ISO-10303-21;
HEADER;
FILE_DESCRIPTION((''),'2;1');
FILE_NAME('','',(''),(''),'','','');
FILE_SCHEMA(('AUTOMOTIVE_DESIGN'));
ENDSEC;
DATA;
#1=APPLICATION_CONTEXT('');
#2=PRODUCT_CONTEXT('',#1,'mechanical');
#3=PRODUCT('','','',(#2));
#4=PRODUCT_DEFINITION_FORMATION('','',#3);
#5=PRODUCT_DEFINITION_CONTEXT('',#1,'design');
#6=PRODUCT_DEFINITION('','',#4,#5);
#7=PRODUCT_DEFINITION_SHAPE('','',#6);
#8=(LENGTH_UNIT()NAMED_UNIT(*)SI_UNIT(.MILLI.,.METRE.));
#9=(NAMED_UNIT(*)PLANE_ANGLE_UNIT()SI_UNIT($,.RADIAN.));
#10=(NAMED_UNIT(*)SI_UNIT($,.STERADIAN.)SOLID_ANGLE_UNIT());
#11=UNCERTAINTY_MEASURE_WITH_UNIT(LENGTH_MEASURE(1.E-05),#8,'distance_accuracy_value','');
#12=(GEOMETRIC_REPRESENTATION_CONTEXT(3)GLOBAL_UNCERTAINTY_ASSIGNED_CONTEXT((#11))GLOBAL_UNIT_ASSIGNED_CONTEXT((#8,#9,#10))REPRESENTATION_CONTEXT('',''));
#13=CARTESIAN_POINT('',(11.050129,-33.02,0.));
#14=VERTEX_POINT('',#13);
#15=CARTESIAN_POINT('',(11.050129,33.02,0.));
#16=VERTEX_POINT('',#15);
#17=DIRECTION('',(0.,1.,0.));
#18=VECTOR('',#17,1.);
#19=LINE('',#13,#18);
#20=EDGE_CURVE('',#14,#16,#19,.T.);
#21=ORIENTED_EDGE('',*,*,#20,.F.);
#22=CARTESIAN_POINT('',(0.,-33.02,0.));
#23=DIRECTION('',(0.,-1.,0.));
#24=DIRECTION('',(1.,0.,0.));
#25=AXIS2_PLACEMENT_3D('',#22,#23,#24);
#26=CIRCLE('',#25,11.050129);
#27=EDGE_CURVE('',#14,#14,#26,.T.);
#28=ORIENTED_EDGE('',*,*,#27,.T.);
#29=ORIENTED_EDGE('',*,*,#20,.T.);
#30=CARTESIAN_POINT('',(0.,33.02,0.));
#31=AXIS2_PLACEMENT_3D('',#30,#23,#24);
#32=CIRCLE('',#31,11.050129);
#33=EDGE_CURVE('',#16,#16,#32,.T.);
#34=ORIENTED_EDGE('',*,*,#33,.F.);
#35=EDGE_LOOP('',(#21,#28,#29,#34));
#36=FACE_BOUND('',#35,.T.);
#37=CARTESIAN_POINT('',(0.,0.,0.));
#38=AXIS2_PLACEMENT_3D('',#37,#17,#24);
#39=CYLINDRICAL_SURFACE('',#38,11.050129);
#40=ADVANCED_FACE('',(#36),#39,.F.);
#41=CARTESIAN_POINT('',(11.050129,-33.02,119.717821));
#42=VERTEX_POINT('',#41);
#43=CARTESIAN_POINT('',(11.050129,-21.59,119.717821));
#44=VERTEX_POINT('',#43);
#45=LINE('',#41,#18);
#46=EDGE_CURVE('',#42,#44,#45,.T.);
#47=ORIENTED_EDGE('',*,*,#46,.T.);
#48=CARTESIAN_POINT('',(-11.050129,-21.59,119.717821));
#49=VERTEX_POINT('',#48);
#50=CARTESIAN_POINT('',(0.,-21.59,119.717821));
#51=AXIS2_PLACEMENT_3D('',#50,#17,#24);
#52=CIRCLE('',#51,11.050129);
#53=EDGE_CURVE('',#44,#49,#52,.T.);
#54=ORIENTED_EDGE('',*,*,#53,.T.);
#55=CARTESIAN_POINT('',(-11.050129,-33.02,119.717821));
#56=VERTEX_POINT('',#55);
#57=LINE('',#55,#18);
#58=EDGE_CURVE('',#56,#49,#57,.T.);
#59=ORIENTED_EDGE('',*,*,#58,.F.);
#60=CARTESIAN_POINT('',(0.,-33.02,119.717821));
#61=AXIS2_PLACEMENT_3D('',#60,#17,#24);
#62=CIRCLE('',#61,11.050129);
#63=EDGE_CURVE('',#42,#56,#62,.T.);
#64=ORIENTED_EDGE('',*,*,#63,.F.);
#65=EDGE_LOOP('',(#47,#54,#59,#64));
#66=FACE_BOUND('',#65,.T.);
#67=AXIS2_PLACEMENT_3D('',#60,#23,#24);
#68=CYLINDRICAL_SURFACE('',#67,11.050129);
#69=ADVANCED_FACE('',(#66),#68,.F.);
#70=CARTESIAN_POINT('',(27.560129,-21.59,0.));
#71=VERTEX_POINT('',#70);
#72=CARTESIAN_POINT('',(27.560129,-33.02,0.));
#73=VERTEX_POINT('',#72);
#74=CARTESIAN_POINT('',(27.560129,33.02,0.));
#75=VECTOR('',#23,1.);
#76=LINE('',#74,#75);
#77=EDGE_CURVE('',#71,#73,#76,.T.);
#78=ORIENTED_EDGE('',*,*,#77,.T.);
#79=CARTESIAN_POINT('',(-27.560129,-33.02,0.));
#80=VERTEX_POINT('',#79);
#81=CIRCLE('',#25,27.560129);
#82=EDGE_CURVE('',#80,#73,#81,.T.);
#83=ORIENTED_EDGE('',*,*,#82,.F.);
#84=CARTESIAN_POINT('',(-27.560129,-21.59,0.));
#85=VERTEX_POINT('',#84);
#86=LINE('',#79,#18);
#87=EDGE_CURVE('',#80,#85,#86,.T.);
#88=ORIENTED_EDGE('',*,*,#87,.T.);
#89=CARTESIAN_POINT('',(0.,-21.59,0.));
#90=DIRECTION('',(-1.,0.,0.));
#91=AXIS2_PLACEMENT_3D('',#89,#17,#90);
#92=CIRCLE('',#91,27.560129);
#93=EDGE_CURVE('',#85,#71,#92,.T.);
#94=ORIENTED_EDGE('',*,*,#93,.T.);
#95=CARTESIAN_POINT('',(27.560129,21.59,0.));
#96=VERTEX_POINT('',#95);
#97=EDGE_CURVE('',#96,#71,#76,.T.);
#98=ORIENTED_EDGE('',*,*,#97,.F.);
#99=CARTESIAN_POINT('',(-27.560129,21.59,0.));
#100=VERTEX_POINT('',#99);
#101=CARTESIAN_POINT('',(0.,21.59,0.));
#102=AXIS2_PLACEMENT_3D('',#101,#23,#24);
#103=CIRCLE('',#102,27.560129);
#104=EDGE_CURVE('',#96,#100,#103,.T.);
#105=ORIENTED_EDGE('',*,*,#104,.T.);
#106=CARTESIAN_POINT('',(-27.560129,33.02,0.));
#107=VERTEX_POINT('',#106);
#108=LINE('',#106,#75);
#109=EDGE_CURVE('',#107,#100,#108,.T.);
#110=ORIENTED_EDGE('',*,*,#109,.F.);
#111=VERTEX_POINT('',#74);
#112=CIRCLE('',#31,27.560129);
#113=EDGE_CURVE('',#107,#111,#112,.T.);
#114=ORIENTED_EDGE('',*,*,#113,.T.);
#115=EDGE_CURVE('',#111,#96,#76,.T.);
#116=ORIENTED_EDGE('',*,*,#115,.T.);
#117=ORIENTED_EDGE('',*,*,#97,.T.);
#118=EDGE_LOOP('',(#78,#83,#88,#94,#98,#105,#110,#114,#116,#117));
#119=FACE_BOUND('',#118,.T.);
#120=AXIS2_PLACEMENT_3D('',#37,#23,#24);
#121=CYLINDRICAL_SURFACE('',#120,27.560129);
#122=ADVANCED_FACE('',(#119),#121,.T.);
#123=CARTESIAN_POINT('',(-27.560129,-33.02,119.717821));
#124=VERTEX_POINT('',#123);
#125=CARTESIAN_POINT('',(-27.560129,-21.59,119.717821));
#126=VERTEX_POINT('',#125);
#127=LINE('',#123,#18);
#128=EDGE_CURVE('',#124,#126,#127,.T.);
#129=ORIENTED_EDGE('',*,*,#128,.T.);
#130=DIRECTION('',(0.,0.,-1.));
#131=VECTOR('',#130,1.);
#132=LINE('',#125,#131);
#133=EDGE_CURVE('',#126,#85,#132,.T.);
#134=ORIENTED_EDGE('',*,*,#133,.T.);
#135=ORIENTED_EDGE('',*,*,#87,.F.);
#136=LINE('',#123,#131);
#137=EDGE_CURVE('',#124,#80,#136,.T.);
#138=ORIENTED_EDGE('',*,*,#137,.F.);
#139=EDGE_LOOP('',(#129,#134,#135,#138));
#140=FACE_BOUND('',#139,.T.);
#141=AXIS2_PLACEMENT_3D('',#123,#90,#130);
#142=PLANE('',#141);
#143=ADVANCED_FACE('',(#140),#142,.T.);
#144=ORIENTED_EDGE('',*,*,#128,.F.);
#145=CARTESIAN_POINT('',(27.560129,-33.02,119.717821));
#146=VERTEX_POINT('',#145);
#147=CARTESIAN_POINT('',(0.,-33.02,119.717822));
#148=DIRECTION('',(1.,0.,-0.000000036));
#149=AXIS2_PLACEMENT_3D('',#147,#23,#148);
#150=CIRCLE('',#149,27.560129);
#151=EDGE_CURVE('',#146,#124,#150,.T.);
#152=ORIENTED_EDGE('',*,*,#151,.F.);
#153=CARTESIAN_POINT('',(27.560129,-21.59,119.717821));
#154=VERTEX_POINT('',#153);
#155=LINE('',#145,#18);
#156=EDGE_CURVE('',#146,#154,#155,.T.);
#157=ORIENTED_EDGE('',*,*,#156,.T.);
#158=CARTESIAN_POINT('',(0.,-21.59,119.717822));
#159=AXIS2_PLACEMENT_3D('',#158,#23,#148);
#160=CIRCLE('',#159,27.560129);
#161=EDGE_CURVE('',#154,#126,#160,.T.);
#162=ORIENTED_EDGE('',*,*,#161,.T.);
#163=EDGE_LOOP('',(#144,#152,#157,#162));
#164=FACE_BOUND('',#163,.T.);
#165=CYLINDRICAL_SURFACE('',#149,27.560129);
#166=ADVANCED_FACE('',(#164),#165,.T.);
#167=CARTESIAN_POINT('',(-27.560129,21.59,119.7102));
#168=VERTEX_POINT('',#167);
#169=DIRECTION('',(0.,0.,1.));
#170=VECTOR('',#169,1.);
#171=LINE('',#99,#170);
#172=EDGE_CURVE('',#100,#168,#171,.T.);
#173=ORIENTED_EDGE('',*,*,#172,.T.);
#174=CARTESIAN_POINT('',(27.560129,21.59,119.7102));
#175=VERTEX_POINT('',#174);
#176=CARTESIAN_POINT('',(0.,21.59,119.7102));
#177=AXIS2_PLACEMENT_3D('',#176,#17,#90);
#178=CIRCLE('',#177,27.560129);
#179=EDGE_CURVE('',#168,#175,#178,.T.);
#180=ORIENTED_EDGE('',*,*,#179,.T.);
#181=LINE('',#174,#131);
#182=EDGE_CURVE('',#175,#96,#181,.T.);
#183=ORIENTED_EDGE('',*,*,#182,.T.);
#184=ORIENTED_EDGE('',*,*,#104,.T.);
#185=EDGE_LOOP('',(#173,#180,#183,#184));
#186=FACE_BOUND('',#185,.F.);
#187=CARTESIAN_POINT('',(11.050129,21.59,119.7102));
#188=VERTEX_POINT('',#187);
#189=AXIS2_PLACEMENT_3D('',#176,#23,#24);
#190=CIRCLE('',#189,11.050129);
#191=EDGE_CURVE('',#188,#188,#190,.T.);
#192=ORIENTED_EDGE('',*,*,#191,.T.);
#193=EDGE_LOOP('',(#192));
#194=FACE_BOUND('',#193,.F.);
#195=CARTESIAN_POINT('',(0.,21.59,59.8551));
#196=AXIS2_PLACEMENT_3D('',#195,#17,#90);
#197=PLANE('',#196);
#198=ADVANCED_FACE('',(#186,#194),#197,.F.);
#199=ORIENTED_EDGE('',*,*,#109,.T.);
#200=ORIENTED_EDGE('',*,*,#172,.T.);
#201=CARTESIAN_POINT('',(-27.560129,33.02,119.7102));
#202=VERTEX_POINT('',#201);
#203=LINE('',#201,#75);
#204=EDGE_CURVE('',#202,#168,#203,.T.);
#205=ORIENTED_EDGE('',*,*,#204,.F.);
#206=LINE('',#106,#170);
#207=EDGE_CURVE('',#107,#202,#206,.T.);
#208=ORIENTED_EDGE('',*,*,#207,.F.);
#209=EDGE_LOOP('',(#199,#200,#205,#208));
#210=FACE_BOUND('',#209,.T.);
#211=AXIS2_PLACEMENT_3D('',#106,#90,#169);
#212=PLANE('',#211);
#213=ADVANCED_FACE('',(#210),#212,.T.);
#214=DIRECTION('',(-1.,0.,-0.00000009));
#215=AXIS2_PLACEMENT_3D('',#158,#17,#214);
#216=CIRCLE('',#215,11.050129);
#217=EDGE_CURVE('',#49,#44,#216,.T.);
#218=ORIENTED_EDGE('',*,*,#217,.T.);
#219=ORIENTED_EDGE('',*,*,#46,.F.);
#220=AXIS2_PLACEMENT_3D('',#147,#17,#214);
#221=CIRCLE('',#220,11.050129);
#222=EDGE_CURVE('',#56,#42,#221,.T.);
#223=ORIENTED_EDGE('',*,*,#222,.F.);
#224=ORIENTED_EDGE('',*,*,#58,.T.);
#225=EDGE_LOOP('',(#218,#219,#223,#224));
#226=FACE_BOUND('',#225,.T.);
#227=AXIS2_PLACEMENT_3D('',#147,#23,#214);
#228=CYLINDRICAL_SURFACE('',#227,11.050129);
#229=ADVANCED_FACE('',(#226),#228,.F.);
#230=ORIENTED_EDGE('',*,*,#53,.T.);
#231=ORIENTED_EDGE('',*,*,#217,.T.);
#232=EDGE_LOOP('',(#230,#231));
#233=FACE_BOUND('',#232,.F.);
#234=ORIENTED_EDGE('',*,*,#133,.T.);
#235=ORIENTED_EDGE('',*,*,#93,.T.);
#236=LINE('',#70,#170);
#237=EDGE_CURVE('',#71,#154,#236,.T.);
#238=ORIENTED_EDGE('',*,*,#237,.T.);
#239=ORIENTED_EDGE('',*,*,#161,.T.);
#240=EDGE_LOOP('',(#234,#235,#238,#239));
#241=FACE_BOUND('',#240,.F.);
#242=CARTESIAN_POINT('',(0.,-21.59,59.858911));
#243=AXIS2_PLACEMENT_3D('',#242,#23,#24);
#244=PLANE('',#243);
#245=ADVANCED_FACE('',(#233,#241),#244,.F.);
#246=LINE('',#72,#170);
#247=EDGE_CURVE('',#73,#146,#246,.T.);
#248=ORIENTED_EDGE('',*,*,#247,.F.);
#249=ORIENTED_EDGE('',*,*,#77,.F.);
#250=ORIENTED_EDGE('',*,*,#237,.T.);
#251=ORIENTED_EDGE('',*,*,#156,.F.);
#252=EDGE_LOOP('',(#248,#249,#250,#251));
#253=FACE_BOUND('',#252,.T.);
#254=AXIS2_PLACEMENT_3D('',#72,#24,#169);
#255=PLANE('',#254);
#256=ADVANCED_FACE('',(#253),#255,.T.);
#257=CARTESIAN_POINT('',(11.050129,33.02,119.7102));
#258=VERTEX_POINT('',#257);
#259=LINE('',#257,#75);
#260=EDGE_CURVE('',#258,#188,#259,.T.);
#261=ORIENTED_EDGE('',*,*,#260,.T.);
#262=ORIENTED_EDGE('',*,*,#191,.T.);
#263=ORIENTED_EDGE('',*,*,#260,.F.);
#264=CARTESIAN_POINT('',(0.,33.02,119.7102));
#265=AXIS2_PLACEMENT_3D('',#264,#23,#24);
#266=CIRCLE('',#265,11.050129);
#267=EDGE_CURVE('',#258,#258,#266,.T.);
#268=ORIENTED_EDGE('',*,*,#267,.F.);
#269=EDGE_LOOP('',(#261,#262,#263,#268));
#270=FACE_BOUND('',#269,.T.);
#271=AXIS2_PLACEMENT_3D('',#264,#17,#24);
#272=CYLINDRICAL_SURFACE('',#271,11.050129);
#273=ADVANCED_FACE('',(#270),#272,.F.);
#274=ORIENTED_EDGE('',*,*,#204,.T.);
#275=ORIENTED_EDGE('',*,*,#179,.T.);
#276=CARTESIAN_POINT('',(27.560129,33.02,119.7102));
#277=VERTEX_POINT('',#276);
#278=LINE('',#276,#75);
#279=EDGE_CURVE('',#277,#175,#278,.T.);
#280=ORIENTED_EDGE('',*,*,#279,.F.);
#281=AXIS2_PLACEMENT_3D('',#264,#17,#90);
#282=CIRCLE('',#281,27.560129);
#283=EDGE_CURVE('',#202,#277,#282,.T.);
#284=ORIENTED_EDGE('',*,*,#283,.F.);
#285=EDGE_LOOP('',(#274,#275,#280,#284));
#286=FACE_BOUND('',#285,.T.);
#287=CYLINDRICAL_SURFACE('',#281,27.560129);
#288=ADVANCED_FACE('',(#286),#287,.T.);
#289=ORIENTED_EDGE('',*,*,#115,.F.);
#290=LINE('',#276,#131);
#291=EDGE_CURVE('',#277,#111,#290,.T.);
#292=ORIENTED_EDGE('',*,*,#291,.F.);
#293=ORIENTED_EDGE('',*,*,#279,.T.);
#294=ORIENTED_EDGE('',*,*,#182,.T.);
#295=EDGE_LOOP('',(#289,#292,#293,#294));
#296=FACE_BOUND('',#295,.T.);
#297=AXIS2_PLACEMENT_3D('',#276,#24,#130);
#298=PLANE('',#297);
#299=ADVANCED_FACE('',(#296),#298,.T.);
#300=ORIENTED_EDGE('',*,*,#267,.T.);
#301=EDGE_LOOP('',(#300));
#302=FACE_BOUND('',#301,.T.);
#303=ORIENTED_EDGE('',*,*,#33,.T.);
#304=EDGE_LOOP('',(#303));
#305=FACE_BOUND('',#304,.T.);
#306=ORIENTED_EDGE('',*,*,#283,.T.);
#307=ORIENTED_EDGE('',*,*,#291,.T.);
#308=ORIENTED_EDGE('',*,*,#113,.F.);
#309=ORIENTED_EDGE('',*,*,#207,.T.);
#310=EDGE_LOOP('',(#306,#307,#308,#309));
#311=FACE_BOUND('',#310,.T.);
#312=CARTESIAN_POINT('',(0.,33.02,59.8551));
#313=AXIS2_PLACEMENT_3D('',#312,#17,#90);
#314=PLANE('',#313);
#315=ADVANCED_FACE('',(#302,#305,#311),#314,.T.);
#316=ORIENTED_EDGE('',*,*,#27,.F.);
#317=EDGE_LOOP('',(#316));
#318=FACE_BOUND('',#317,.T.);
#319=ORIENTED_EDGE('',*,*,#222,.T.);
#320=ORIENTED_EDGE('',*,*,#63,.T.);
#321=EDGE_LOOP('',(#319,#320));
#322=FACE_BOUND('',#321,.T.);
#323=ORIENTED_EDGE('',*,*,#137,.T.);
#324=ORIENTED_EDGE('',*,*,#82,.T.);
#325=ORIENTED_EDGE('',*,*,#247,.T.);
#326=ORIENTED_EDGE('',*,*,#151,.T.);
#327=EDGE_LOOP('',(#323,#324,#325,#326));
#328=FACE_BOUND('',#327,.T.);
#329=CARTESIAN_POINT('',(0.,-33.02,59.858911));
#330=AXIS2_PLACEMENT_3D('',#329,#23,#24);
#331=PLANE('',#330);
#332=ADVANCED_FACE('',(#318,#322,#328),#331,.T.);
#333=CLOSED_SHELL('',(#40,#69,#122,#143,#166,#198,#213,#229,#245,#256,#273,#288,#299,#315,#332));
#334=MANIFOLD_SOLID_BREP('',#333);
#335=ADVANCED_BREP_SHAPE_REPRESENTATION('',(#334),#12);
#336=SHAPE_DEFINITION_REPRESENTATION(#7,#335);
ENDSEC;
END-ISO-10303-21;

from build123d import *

# Parameters (mm, degrees)
F0_R     = 27.560129
F0_R_2   = 11.050129
F1_DEPTH = 33.02
F3_DEPTH = 11.43
F5_DEPTH = 11.43


with BuildPart() as f1:
    # F0 (on Front) → F1 (new body, symmetric)
    with BuildSketch(Plane.XZ):
        Circle(F0_R)
        Circle(F0_R_2, mode=Mode.SUBTRACT)
    extrude(amount=F1_DEPTH, both=True)

    # F2 (on face) → F3 (join)
    with BuildSketch(Plane.XZ.offset(33.02)):
        with BuildLine():
            Line((-27.560129, 119.717821), (-27.560129, 0))
            ThreePointArc((-27.560129, 0), (0, 27.560129), (27.560129, 0))
            Line((27.560129, 0), (27.560129, 119.717821))
            ThreePointArc((27.560129, 119.717821), (0, 92.157692), (-27.560129, 119.717821))
        make_face()
        with BuildLine():
            ThreePointArc((27.560129, 119.717821), (0, 147.277951), (-27.560129, 119.717821))
            Line((-27.560129, 119.717821), (-11.050129, 119.717821))
            ThreePointArc((-11.050129, 119.717821), (0, 130.767951), (11.050129, 119.717821))
            Line((11.050129, 119.717821), (27.560129, 119.717821))
        make_face()
        with BuildLine():
            Line((-11.050129, 119.717821), (-27.560129, 119.717821))
            ThreePointArc((-27.560129, 119.717821), (0, 92.157692), (27.560129, 119.717821))
            Line((27.560129, 119.717821), (11.050129, 119.717821))
            ThreePointArc((11.050129, 119.717821), (0, 108.667692), (-11.050129, 119.717821))
        make_face()
    extrude(amount=-F3_DEPTH)

    # F4 (on face) → F5 (join)
    with BuildSketch(Plane(origin=(0, 33.02, 0), x_dir=(-1, 0, 0), z_dir=(0, 1, 0))):
        with BuildLine():
            Line((-27.560129, 119.7102), (-27.560129, 0))
            ThreePointArc((-27.560129, 0), (0, 27.560129), (27.560129, 0))
            Line((27.560129, 0), (27.560129, 119.7102))
            ThreePointArc((27.560129, 119.7102), (0, 92.150071), (-27.560129, 119.7102))
        make_face()
        with BuildLine():
            Line((-11.050129, 119.7102), (-27.560129, 119.7102))
            ThreePointArc((-27.560129, 119.7102), (0, 92.150071), (27.560129, 119.7102))
            Line((27.560129, 119.7102), (11.050129, 119.7102))
            ThreePointArc((11.050129, 119.7102), (0, 108.660071), (-11.050129, 119.7102))
        make_face()
        with BuildLine():
            ThreePointArc((27.560129, 119.7102), (0, 147.270329), (-27.560129, 119.7102))
            Line((-27.560129, 119.7102), (-11.050129, 119.7102))
            ThreePointArc((-11.050129, 119.7102), (0, 130.760329), (11.050129, 119.7102))
            Line((11.050129, 119.7102), (27.560129, 119.7102))
        make_face()
    extrude(amount=-F5_DEPTH)


solid = f1.part
